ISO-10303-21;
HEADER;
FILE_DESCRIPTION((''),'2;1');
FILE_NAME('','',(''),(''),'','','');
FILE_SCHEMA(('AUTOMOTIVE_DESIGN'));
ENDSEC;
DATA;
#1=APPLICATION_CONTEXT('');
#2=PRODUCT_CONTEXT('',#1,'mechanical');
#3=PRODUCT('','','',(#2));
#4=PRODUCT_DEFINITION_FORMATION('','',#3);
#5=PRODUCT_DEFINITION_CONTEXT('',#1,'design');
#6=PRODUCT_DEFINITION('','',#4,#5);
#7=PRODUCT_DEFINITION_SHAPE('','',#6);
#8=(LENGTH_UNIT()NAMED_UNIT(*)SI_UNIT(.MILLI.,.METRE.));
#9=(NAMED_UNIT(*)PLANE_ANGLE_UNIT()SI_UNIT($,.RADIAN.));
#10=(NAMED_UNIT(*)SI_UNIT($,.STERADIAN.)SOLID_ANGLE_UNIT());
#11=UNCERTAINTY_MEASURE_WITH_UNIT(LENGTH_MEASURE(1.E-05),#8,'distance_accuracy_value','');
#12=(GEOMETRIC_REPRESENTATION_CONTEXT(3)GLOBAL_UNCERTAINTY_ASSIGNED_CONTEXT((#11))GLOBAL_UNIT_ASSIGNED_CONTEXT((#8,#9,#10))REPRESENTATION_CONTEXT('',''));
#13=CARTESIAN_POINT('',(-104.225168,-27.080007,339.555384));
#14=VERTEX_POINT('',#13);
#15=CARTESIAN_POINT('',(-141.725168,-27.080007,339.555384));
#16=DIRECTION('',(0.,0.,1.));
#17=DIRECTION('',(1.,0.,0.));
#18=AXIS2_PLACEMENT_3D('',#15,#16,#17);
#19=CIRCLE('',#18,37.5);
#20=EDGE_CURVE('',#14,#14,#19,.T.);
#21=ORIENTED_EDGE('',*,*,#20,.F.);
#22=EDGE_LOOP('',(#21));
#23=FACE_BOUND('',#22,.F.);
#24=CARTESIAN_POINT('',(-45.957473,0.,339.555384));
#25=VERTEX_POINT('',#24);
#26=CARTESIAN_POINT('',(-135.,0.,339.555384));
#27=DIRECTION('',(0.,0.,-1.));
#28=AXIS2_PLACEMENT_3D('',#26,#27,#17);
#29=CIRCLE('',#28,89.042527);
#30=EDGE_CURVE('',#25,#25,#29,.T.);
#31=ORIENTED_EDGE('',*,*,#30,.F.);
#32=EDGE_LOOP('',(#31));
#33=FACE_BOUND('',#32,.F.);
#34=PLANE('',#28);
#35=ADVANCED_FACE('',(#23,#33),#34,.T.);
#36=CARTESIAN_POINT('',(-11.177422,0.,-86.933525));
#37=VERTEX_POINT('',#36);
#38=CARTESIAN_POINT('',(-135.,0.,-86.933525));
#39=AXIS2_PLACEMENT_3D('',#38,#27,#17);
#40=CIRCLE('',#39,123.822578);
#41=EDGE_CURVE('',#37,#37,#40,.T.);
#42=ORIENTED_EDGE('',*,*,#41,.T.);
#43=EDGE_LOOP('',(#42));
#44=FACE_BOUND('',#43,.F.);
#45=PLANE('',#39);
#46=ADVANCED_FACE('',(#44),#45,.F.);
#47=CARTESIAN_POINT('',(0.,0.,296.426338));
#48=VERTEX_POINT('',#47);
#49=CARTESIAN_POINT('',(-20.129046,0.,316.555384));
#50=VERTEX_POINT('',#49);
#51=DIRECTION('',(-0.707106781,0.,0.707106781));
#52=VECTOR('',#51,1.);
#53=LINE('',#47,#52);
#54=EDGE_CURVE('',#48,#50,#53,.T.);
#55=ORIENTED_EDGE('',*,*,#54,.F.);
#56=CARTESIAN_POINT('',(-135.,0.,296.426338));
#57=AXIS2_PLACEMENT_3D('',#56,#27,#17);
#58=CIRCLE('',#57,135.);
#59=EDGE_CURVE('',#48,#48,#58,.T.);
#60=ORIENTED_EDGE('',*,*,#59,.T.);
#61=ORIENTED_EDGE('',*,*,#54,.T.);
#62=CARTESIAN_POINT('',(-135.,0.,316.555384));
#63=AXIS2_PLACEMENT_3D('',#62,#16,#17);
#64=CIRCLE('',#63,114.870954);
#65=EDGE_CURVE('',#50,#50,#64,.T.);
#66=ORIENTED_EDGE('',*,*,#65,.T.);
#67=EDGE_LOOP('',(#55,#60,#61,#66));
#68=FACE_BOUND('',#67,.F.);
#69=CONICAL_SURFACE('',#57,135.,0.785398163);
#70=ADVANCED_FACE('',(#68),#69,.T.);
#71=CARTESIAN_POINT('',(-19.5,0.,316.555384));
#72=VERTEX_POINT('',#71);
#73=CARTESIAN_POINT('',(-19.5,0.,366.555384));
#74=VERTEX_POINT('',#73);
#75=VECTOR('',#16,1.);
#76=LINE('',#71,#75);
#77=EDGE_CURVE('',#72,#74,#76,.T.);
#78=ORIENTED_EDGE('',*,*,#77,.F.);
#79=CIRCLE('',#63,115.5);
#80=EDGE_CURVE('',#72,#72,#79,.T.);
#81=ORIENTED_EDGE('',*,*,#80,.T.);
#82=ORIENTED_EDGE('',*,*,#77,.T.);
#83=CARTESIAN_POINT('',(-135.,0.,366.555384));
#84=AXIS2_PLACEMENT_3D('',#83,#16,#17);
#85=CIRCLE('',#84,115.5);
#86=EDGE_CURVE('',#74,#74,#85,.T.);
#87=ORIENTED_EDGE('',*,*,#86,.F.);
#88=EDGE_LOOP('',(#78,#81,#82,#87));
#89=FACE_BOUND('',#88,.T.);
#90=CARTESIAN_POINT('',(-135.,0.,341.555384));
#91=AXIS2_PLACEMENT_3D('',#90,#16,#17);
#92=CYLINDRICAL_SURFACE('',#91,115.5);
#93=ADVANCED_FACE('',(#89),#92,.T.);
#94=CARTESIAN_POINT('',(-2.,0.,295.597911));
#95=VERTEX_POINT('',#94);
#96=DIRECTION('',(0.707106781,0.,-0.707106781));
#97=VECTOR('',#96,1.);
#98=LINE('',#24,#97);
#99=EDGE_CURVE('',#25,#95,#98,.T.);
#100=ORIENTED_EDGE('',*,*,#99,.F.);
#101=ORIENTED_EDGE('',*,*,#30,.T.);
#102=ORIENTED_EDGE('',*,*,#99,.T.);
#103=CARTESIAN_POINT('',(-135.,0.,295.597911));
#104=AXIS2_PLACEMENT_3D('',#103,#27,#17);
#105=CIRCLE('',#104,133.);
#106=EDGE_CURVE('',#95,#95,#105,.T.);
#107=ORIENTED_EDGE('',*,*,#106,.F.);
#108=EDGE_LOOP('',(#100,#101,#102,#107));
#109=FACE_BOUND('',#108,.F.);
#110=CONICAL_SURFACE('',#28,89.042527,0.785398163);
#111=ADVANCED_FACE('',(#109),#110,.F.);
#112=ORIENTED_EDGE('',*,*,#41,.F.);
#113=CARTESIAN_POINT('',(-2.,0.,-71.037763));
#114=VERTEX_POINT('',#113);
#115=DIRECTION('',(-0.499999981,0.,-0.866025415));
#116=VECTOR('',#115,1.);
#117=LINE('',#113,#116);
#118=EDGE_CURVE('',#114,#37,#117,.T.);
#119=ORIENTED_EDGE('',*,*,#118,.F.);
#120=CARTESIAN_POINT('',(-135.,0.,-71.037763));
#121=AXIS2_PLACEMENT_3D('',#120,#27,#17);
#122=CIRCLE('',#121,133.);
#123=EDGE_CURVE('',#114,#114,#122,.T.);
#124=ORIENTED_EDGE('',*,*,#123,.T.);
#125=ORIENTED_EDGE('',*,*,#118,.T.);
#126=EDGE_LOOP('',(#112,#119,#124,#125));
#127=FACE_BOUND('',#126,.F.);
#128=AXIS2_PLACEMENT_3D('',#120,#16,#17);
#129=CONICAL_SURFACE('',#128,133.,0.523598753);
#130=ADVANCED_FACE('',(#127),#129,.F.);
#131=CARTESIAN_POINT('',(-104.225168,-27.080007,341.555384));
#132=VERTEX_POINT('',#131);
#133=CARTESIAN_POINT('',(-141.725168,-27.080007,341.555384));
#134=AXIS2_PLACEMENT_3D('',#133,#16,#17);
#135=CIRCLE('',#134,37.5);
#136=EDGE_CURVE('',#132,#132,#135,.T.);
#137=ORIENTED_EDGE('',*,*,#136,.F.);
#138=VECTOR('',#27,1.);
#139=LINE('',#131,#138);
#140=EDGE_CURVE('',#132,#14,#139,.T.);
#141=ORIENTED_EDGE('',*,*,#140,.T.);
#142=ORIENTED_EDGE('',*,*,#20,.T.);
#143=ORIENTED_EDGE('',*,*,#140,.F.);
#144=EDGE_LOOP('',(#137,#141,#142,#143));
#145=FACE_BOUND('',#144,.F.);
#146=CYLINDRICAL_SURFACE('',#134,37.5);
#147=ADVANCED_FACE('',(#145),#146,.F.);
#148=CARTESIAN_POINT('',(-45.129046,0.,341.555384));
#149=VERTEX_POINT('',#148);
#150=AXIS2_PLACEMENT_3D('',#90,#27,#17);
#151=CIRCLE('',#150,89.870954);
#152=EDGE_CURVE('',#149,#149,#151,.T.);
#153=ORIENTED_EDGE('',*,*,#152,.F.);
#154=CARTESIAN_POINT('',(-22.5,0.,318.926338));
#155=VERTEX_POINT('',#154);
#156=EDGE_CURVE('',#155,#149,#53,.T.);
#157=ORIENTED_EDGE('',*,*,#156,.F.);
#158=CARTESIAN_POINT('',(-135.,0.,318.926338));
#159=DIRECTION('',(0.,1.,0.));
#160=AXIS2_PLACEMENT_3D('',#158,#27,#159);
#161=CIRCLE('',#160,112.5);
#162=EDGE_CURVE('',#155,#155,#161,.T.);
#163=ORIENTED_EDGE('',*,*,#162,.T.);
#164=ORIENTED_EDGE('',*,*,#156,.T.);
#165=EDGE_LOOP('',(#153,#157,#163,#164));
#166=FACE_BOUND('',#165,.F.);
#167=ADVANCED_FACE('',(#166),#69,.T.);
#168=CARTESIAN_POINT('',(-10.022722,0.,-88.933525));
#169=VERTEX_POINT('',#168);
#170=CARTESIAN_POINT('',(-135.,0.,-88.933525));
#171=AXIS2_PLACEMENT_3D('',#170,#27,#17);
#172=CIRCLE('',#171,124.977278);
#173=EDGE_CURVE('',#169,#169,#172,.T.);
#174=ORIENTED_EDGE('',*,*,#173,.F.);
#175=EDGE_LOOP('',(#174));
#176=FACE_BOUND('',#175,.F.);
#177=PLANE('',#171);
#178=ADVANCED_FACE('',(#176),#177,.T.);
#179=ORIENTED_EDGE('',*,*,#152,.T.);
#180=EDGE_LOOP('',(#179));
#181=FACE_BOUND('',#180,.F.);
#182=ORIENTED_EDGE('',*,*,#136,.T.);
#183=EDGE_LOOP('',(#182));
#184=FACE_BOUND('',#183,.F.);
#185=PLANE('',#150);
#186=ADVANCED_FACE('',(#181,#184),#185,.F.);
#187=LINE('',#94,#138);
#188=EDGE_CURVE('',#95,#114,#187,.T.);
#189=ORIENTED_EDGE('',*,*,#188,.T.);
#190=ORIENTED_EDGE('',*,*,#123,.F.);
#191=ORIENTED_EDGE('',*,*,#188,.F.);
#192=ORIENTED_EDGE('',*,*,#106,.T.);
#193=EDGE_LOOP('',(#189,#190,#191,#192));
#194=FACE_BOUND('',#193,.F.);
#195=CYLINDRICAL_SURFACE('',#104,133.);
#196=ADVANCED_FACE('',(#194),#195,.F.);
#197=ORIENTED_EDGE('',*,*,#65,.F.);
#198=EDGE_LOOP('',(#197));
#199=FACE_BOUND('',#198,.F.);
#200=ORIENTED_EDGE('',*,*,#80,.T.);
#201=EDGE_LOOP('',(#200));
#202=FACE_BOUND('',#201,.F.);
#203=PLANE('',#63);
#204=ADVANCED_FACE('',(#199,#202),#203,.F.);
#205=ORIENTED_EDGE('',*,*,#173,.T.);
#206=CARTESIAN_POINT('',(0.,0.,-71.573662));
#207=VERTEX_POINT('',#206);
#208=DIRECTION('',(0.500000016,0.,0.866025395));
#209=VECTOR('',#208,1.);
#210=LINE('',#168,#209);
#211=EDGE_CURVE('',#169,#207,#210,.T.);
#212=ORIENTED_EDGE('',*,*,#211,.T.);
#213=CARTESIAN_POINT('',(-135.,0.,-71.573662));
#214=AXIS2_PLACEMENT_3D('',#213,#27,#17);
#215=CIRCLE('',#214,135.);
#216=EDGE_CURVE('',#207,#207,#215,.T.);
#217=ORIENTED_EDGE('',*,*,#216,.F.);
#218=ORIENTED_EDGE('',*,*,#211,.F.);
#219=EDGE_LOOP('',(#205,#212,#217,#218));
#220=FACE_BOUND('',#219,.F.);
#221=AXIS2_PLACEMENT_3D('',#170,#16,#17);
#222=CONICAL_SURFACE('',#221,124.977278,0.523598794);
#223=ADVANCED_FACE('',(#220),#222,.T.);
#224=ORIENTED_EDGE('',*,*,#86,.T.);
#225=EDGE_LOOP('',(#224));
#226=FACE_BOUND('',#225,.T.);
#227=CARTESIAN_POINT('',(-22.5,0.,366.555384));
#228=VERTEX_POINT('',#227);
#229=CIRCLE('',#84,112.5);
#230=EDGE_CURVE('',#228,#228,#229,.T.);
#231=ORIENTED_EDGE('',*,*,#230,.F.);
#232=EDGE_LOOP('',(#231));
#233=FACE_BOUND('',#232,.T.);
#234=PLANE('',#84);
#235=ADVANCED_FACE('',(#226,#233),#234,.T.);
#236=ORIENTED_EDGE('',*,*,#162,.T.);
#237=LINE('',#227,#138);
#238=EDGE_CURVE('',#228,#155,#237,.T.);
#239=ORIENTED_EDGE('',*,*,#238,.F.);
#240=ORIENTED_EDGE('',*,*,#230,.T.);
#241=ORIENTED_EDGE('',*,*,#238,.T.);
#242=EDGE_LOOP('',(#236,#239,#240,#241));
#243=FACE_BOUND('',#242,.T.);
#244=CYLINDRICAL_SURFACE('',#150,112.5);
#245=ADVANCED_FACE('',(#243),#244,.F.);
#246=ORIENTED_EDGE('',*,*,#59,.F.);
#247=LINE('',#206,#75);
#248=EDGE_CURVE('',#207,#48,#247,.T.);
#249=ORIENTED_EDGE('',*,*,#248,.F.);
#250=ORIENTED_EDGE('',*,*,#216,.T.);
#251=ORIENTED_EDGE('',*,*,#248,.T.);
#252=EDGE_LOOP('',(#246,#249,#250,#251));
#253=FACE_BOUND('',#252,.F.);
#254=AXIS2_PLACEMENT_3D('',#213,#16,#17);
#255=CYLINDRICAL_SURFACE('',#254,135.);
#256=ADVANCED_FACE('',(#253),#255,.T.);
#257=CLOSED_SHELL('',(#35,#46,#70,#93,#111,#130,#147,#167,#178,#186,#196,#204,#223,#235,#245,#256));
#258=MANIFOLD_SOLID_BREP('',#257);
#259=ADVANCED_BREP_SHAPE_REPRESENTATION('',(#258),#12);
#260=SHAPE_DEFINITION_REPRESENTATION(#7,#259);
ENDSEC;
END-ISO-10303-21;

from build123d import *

# Parameters (mm, degrees)
F4_R     = 115.5
F4_R_2   = 112.5
F2_DEPTH = 25
F3_R     = 37.5
F5_DEPTH = 2


with BuildPart() as f1:
    # F0 (on Front) → F1 (revolve)
    with BuildSketch(Plane.XZ):
        Polygon((0, -71.573662), (0, 296.426338), (-45.129046, 341.555384), (-135, 341.555384), (-135, 339.555384), (-45.957473, 339.555384), (-2, 295.597911), (-2, -71.037763), (-11.177422, -86.933525), (-135, -86.933525), (-135, -88.933525), (-10.022722, -88.933525), align=None)
    revolve(axis=Axis((-135, 0, 126.31093), (0, 0, -1)))

    # F4 (on face) → F2 (join, symmetric)
    with BuildSketch(Plane.XY.offset(341.555384)):
        with Locations((-135, 0)):
            Circle(F4_R)
        with Locations((-135, 0)):
            Circle(F4_R_2, mode=Mode.SUBTRACT)
    extrude(amount=F2_DEPTH, both=True)

    # F3 (on face) → F5 (cut, through all)
    with BuildSketch(Plane.XY.offset(341.555384)):
        with Locations((-141.725168, -27.080007)):
            Circle(F3_R)
    extrude(amount=-F5_DEPTH, mode=Mode.SUBTRACT)


solid = f1.part
